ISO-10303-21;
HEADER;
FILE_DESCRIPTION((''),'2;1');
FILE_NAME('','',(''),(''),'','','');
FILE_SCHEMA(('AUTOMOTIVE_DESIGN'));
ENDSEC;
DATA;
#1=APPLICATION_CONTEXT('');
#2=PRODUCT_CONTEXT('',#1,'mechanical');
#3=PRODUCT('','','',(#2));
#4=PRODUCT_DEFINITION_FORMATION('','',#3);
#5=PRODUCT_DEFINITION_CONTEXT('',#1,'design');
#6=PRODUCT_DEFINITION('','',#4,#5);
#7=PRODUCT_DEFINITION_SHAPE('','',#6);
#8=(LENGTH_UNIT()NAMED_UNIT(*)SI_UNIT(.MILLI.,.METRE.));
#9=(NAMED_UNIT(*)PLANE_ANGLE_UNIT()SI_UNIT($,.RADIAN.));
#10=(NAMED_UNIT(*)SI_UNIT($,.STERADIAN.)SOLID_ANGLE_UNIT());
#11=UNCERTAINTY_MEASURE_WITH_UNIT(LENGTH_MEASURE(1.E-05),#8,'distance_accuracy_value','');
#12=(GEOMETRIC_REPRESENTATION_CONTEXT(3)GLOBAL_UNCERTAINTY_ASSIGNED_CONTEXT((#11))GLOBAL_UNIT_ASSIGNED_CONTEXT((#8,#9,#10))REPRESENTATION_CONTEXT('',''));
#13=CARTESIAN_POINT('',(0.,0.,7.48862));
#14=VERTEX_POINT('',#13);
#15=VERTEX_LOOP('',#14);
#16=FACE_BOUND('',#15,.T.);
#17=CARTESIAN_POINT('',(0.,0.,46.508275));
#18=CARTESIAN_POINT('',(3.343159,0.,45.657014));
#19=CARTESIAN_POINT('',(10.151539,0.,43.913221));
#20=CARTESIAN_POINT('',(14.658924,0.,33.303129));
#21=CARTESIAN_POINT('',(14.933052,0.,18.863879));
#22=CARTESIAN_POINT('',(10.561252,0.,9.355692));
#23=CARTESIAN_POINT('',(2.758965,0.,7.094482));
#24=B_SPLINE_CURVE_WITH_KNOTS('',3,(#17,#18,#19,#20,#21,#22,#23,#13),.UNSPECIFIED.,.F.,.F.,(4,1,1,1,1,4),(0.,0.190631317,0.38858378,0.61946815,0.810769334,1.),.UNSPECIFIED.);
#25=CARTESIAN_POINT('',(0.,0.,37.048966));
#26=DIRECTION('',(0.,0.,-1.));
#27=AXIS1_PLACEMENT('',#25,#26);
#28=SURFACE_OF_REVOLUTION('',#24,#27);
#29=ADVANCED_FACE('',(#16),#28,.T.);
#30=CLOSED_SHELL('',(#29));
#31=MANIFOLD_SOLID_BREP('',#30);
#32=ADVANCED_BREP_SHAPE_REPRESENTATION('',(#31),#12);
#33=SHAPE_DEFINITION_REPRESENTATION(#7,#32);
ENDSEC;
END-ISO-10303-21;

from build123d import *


with BuildPart() as f1:
    # F0 (on Front) → F1 (revolve)
    with BuildSketch(Plane.XZ):
        with BuildLine():
            add(Edge.make_bspline(
                [(0, 46.5082749724), (3.343158922, 45.6570136057), (10.1515387999, 43.9132214373), (14.6589240911, 33.3031292544), (14.9330515268, 18.863879179), (10.5612521848, 9.3556915988), (2.7589648962, 7.0944824256), (0, 7.4886204675)],
                knots=[0, 0, 0, 0, 0.190631317, 0.38858378, 0.6194681497, 0.8107693345, 1, 1, 1, 1], degree=3))
            Line((0, 46.5082749724), (0, 7.4886204675))
        make_face()
    revolve(axis=Axis((0, 0, 37.0489656925), (0, 0, -1)))


solid = f1.part
